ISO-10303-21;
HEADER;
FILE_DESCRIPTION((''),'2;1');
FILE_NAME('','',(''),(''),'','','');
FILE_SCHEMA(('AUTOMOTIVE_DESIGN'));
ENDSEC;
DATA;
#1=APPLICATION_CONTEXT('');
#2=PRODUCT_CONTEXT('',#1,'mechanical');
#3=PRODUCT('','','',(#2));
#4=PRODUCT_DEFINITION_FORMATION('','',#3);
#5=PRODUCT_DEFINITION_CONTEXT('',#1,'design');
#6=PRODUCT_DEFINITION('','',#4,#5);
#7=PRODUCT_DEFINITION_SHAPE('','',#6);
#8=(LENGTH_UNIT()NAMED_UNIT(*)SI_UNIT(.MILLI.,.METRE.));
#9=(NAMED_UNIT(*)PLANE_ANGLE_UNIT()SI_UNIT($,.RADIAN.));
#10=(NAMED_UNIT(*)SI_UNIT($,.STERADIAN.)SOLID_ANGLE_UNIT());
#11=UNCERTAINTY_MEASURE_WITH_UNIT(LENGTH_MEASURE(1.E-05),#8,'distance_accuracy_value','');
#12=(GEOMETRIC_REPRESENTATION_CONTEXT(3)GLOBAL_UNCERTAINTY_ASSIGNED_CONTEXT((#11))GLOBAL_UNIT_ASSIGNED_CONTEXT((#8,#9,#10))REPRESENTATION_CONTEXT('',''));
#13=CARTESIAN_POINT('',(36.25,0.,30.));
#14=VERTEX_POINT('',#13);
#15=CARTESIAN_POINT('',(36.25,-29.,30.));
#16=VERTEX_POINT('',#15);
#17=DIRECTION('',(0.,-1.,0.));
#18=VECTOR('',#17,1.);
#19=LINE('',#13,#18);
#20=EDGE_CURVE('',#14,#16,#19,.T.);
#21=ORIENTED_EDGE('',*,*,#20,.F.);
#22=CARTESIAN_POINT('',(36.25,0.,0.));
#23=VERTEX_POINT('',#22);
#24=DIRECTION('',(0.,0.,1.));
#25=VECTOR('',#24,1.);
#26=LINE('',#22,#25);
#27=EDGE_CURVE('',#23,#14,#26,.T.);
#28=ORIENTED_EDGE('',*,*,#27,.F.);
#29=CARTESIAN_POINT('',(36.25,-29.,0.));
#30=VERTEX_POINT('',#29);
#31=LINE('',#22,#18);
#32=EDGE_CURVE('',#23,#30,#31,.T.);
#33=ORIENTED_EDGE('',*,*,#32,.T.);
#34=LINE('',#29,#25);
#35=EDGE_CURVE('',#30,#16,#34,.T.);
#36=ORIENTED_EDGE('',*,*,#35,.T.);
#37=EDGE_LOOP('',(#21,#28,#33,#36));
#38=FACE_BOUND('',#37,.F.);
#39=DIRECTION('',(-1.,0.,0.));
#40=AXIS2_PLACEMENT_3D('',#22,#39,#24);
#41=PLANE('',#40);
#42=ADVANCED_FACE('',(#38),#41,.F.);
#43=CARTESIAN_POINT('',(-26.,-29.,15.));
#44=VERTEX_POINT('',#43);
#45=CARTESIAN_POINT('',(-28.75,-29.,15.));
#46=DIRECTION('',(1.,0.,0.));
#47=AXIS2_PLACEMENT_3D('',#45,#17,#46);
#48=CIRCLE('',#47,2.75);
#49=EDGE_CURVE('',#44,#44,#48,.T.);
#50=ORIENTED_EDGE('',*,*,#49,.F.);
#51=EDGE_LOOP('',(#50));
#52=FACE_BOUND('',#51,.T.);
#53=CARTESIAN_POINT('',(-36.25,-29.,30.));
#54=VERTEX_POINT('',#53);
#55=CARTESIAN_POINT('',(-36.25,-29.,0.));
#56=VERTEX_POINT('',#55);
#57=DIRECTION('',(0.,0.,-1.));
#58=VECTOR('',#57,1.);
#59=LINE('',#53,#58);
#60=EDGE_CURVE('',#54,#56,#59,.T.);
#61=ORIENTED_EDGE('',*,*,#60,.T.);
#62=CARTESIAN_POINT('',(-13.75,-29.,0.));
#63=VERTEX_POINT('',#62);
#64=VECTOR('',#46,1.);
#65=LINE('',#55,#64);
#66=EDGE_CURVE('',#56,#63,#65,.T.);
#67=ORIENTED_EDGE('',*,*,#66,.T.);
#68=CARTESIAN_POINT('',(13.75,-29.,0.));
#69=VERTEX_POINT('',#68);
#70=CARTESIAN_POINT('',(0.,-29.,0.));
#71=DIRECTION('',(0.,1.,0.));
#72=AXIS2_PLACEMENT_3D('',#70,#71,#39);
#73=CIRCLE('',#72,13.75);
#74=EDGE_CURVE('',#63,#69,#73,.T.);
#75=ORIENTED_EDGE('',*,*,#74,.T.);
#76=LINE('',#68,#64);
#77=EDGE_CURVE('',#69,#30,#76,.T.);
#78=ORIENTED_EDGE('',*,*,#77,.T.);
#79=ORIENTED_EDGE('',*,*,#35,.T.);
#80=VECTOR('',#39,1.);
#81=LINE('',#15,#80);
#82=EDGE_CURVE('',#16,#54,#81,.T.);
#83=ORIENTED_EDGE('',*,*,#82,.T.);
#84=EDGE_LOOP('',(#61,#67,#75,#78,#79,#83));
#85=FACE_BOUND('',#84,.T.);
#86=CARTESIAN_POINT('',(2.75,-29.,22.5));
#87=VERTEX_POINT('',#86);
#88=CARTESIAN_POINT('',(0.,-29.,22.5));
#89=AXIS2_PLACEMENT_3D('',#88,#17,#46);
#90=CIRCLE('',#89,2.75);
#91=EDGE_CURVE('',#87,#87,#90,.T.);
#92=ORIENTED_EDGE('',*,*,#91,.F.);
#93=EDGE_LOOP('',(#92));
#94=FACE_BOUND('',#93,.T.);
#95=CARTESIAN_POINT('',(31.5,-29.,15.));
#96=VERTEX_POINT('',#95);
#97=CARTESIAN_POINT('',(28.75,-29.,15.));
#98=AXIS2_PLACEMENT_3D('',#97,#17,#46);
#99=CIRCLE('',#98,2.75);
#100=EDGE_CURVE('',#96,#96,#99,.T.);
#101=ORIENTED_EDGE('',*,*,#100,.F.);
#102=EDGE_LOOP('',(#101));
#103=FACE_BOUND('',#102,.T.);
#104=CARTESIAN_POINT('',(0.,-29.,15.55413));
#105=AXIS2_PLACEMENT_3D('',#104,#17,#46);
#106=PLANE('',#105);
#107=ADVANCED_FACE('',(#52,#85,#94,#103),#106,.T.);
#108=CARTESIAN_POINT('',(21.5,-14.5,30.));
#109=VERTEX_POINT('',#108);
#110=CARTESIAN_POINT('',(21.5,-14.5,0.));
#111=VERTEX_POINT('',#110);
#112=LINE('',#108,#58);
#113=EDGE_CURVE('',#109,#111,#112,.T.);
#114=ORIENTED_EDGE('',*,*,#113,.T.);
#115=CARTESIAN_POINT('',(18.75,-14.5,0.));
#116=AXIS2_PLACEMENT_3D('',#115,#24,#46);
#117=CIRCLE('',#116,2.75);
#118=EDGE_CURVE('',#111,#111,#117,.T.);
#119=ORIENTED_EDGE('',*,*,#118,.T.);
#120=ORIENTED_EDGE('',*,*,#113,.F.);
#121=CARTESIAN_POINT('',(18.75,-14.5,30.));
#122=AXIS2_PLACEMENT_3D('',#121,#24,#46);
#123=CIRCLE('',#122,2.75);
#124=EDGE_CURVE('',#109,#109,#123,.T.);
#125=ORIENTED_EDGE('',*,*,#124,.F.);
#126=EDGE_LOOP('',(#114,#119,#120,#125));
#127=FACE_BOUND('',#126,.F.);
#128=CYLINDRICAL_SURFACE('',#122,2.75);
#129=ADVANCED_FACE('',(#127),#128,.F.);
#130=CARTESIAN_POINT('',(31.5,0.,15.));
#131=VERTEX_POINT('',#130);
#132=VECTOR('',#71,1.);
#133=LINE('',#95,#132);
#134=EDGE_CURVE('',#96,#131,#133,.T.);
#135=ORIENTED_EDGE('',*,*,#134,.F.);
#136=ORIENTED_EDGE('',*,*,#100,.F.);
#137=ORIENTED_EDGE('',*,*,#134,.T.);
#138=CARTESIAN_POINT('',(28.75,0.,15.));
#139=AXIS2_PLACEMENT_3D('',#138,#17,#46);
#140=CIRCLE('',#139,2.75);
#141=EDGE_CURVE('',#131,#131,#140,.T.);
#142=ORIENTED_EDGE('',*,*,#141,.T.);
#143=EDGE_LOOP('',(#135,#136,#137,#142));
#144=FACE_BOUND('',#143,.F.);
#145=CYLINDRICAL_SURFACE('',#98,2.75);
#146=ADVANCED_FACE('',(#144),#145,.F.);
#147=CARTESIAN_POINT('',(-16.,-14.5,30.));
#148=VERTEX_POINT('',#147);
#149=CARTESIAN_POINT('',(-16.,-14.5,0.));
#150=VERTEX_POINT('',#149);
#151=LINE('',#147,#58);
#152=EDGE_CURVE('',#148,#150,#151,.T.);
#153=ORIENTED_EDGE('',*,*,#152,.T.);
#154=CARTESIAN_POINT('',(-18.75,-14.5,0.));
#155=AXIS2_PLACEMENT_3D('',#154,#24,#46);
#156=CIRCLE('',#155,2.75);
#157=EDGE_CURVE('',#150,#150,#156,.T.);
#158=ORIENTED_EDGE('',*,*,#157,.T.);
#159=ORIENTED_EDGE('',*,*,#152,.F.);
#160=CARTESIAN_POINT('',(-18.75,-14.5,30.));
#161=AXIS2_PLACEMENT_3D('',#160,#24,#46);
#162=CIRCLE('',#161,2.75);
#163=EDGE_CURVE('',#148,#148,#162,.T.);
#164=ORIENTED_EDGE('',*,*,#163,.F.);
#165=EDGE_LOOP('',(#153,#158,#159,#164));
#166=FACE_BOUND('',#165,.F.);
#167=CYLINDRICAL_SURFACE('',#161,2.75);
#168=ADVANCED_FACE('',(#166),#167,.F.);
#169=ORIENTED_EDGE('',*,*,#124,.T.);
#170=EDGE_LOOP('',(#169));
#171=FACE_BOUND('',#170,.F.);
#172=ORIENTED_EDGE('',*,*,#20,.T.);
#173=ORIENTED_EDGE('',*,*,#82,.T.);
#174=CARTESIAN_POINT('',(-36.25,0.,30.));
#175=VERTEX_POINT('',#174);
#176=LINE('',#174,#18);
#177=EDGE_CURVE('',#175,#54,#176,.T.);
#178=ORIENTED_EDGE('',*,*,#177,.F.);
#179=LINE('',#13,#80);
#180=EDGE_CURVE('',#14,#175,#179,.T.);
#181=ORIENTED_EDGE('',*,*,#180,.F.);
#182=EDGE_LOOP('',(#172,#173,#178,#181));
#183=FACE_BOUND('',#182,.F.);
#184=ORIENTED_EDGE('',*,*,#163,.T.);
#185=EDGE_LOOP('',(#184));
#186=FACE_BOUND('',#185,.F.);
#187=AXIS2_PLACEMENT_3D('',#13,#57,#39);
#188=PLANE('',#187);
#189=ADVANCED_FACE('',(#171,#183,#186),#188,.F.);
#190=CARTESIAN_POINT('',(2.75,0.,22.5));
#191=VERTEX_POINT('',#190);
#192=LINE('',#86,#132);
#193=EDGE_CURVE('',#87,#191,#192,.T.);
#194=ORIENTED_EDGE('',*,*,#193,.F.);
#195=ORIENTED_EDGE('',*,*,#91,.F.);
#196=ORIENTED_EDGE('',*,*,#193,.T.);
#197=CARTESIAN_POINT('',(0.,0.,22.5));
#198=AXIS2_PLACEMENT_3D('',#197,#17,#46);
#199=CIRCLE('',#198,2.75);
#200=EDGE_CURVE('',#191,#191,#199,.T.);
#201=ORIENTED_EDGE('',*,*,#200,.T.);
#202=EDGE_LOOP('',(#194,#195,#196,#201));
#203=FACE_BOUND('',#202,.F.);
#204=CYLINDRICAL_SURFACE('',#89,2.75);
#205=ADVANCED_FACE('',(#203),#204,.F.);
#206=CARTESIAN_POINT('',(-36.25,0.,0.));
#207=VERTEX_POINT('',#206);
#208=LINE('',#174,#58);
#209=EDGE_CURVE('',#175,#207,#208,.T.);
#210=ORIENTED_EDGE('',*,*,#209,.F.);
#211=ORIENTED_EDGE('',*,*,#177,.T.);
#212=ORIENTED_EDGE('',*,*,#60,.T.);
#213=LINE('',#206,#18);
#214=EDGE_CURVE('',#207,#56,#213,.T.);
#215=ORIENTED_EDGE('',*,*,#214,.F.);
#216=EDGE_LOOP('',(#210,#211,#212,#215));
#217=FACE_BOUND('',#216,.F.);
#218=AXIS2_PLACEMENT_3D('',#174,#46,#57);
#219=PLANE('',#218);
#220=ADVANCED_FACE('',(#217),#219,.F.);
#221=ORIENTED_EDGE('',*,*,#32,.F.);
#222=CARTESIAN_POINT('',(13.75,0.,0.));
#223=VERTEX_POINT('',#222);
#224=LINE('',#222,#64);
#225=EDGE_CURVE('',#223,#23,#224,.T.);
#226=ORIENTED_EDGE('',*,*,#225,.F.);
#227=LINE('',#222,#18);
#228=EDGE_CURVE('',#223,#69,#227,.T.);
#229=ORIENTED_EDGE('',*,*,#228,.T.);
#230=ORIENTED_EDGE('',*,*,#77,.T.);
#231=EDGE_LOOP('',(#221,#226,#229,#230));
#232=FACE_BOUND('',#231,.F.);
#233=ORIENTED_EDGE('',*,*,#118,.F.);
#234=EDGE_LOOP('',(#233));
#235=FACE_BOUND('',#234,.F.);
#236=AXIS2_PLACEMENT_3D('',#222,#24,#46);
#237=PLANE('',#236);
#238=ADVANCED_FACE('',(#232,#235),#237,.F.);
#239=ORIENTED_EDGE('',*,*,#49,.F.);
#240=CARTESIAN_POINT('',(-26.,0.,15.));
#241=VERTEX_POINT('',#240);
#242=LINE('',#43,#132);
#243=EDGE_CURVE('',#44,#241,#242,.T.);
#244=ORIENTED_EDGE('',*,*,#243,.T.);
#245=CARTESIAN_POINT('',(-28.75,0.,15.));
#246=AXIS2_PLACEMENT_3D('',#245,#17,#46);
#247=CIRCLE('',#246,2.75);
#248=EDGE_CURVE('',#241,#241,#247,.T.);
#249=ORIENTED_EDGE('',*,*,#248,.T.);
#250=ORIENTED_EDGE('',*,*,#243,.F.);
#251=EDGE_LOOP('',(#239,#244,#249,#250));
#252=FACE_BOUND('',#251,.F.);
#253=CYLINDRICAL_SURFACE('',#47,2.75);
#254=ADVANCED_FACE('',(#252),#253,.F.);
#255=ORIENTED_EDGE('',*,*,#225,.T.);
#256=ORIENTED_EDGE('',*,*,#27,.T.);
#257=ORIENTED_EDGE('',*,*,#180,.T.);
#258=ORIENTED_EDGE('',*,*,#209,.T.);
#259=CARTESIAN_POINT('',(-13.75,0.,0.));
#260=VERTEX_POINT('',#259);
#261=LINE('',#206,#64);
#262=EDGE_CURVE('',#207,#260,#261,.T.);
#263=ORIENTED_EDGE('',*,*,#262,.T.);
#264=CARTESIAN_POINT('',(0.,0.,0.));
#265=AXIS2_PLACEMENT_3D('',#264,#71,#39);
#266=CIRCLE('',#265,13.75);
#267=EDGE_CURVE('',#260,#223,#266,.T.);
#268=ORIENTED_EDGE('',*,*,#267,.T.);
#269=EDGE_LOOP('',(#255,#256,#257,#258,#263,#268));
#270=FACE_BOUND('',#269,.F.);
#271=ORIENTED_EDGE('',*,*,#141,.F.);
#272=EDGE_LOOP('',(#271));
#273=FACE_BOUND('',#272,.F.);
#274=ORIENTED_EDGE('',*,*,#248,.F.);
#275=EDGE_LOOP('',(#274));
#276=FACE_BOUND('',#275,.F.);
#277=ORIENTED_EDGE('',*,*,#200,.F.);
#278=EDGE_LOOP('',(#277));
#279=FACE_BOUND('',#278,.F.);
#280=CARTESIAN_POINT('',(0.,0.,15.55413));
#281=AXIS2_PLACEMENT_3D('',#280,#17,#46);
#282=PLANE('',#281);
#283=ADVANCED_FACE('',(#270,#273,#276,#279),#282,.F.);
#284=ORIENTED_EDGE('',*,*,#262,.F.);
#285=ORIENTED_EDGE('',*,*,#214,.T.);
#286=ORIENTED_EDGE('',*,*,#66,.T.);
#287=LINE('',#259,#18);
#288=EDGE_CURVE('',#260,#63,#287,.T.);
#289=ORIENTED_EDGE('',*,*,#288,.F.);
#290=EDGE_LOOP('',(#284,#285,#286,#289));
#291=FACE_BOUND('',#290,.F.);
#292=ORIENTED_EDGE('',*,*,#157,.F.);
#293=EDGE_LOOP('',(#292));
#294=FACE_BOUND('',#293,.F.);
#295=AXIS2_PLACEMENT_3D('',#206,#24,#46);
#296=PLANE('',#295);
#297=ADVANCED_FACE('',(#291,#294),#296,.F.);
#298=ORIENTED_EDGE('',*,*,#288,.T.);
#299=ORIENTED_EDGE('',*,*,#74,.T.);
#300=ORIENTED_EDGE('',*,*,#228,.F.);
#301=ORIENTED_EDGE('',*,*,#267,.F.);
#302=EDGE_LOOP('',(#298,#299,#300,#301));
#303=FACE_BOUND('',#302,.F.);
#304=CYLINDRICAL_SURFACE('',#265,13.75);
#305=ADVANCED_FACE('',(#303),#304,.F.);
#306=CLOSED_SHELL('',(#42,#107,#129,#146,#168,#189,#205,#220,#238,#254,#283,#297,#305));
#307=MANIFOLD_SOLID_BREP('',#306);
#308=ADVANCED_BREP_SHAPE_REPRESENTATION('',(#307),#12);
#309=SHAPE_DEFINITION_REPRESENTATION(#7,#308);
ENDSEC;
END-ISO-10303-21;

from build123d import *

# Parameters (mm, degrees)
F1_DEPTH = 29
F2_R     = 2.75
F3_DEPTH = 50
F4_R     = 2.75
F5_DEPTH = 50


with BuildPart() as f1:
    # F0 (on Front) → F1 (new body)
    with BuildSketch(Plane.XZ):
        with BuildLine():
            ThreePointArc((-13.75, 0), (0, 13.75), (13.75, 0))
            Line((13.75, 0), (36.25, 0))
            Line((36.25, 0), (36.25, 30))
            Line((36.25, 30), (-36.25, 30))
            Line((-36.25, 30), (-36.25, 0))
            Line((-36.25, 0), (-13.75, 0))
        make_face()
    extrude(amount=F1_DEPTH)

    # F2 (on face) → F3 (cut)
    with BuildSketch(Plane.XY.offset(30)):
        with Locations((-18.75, -14.5)):
            Circle(F2_R)
        with Locations((18.75, -14.5)):
            Circle(F2_R)
    extrude(amount=-F3_DEPTH, mode=Mode.SUBTRACT)

    # F4 (on face) → F5 (cut)
    with BuildSketch(Plane.XZ.offset(29)):
        with Locations((-28.75, 15)):
            Circle(F4_R)
        with Locations((0, 22.5)):
            Circle(F4_R)
        with Locations((28.75, 15)):
            Circle(F4_R)
    extrude(amount=-F5_DEPTH, mode=Mode.SUBTRACT)


solid = f1.part
